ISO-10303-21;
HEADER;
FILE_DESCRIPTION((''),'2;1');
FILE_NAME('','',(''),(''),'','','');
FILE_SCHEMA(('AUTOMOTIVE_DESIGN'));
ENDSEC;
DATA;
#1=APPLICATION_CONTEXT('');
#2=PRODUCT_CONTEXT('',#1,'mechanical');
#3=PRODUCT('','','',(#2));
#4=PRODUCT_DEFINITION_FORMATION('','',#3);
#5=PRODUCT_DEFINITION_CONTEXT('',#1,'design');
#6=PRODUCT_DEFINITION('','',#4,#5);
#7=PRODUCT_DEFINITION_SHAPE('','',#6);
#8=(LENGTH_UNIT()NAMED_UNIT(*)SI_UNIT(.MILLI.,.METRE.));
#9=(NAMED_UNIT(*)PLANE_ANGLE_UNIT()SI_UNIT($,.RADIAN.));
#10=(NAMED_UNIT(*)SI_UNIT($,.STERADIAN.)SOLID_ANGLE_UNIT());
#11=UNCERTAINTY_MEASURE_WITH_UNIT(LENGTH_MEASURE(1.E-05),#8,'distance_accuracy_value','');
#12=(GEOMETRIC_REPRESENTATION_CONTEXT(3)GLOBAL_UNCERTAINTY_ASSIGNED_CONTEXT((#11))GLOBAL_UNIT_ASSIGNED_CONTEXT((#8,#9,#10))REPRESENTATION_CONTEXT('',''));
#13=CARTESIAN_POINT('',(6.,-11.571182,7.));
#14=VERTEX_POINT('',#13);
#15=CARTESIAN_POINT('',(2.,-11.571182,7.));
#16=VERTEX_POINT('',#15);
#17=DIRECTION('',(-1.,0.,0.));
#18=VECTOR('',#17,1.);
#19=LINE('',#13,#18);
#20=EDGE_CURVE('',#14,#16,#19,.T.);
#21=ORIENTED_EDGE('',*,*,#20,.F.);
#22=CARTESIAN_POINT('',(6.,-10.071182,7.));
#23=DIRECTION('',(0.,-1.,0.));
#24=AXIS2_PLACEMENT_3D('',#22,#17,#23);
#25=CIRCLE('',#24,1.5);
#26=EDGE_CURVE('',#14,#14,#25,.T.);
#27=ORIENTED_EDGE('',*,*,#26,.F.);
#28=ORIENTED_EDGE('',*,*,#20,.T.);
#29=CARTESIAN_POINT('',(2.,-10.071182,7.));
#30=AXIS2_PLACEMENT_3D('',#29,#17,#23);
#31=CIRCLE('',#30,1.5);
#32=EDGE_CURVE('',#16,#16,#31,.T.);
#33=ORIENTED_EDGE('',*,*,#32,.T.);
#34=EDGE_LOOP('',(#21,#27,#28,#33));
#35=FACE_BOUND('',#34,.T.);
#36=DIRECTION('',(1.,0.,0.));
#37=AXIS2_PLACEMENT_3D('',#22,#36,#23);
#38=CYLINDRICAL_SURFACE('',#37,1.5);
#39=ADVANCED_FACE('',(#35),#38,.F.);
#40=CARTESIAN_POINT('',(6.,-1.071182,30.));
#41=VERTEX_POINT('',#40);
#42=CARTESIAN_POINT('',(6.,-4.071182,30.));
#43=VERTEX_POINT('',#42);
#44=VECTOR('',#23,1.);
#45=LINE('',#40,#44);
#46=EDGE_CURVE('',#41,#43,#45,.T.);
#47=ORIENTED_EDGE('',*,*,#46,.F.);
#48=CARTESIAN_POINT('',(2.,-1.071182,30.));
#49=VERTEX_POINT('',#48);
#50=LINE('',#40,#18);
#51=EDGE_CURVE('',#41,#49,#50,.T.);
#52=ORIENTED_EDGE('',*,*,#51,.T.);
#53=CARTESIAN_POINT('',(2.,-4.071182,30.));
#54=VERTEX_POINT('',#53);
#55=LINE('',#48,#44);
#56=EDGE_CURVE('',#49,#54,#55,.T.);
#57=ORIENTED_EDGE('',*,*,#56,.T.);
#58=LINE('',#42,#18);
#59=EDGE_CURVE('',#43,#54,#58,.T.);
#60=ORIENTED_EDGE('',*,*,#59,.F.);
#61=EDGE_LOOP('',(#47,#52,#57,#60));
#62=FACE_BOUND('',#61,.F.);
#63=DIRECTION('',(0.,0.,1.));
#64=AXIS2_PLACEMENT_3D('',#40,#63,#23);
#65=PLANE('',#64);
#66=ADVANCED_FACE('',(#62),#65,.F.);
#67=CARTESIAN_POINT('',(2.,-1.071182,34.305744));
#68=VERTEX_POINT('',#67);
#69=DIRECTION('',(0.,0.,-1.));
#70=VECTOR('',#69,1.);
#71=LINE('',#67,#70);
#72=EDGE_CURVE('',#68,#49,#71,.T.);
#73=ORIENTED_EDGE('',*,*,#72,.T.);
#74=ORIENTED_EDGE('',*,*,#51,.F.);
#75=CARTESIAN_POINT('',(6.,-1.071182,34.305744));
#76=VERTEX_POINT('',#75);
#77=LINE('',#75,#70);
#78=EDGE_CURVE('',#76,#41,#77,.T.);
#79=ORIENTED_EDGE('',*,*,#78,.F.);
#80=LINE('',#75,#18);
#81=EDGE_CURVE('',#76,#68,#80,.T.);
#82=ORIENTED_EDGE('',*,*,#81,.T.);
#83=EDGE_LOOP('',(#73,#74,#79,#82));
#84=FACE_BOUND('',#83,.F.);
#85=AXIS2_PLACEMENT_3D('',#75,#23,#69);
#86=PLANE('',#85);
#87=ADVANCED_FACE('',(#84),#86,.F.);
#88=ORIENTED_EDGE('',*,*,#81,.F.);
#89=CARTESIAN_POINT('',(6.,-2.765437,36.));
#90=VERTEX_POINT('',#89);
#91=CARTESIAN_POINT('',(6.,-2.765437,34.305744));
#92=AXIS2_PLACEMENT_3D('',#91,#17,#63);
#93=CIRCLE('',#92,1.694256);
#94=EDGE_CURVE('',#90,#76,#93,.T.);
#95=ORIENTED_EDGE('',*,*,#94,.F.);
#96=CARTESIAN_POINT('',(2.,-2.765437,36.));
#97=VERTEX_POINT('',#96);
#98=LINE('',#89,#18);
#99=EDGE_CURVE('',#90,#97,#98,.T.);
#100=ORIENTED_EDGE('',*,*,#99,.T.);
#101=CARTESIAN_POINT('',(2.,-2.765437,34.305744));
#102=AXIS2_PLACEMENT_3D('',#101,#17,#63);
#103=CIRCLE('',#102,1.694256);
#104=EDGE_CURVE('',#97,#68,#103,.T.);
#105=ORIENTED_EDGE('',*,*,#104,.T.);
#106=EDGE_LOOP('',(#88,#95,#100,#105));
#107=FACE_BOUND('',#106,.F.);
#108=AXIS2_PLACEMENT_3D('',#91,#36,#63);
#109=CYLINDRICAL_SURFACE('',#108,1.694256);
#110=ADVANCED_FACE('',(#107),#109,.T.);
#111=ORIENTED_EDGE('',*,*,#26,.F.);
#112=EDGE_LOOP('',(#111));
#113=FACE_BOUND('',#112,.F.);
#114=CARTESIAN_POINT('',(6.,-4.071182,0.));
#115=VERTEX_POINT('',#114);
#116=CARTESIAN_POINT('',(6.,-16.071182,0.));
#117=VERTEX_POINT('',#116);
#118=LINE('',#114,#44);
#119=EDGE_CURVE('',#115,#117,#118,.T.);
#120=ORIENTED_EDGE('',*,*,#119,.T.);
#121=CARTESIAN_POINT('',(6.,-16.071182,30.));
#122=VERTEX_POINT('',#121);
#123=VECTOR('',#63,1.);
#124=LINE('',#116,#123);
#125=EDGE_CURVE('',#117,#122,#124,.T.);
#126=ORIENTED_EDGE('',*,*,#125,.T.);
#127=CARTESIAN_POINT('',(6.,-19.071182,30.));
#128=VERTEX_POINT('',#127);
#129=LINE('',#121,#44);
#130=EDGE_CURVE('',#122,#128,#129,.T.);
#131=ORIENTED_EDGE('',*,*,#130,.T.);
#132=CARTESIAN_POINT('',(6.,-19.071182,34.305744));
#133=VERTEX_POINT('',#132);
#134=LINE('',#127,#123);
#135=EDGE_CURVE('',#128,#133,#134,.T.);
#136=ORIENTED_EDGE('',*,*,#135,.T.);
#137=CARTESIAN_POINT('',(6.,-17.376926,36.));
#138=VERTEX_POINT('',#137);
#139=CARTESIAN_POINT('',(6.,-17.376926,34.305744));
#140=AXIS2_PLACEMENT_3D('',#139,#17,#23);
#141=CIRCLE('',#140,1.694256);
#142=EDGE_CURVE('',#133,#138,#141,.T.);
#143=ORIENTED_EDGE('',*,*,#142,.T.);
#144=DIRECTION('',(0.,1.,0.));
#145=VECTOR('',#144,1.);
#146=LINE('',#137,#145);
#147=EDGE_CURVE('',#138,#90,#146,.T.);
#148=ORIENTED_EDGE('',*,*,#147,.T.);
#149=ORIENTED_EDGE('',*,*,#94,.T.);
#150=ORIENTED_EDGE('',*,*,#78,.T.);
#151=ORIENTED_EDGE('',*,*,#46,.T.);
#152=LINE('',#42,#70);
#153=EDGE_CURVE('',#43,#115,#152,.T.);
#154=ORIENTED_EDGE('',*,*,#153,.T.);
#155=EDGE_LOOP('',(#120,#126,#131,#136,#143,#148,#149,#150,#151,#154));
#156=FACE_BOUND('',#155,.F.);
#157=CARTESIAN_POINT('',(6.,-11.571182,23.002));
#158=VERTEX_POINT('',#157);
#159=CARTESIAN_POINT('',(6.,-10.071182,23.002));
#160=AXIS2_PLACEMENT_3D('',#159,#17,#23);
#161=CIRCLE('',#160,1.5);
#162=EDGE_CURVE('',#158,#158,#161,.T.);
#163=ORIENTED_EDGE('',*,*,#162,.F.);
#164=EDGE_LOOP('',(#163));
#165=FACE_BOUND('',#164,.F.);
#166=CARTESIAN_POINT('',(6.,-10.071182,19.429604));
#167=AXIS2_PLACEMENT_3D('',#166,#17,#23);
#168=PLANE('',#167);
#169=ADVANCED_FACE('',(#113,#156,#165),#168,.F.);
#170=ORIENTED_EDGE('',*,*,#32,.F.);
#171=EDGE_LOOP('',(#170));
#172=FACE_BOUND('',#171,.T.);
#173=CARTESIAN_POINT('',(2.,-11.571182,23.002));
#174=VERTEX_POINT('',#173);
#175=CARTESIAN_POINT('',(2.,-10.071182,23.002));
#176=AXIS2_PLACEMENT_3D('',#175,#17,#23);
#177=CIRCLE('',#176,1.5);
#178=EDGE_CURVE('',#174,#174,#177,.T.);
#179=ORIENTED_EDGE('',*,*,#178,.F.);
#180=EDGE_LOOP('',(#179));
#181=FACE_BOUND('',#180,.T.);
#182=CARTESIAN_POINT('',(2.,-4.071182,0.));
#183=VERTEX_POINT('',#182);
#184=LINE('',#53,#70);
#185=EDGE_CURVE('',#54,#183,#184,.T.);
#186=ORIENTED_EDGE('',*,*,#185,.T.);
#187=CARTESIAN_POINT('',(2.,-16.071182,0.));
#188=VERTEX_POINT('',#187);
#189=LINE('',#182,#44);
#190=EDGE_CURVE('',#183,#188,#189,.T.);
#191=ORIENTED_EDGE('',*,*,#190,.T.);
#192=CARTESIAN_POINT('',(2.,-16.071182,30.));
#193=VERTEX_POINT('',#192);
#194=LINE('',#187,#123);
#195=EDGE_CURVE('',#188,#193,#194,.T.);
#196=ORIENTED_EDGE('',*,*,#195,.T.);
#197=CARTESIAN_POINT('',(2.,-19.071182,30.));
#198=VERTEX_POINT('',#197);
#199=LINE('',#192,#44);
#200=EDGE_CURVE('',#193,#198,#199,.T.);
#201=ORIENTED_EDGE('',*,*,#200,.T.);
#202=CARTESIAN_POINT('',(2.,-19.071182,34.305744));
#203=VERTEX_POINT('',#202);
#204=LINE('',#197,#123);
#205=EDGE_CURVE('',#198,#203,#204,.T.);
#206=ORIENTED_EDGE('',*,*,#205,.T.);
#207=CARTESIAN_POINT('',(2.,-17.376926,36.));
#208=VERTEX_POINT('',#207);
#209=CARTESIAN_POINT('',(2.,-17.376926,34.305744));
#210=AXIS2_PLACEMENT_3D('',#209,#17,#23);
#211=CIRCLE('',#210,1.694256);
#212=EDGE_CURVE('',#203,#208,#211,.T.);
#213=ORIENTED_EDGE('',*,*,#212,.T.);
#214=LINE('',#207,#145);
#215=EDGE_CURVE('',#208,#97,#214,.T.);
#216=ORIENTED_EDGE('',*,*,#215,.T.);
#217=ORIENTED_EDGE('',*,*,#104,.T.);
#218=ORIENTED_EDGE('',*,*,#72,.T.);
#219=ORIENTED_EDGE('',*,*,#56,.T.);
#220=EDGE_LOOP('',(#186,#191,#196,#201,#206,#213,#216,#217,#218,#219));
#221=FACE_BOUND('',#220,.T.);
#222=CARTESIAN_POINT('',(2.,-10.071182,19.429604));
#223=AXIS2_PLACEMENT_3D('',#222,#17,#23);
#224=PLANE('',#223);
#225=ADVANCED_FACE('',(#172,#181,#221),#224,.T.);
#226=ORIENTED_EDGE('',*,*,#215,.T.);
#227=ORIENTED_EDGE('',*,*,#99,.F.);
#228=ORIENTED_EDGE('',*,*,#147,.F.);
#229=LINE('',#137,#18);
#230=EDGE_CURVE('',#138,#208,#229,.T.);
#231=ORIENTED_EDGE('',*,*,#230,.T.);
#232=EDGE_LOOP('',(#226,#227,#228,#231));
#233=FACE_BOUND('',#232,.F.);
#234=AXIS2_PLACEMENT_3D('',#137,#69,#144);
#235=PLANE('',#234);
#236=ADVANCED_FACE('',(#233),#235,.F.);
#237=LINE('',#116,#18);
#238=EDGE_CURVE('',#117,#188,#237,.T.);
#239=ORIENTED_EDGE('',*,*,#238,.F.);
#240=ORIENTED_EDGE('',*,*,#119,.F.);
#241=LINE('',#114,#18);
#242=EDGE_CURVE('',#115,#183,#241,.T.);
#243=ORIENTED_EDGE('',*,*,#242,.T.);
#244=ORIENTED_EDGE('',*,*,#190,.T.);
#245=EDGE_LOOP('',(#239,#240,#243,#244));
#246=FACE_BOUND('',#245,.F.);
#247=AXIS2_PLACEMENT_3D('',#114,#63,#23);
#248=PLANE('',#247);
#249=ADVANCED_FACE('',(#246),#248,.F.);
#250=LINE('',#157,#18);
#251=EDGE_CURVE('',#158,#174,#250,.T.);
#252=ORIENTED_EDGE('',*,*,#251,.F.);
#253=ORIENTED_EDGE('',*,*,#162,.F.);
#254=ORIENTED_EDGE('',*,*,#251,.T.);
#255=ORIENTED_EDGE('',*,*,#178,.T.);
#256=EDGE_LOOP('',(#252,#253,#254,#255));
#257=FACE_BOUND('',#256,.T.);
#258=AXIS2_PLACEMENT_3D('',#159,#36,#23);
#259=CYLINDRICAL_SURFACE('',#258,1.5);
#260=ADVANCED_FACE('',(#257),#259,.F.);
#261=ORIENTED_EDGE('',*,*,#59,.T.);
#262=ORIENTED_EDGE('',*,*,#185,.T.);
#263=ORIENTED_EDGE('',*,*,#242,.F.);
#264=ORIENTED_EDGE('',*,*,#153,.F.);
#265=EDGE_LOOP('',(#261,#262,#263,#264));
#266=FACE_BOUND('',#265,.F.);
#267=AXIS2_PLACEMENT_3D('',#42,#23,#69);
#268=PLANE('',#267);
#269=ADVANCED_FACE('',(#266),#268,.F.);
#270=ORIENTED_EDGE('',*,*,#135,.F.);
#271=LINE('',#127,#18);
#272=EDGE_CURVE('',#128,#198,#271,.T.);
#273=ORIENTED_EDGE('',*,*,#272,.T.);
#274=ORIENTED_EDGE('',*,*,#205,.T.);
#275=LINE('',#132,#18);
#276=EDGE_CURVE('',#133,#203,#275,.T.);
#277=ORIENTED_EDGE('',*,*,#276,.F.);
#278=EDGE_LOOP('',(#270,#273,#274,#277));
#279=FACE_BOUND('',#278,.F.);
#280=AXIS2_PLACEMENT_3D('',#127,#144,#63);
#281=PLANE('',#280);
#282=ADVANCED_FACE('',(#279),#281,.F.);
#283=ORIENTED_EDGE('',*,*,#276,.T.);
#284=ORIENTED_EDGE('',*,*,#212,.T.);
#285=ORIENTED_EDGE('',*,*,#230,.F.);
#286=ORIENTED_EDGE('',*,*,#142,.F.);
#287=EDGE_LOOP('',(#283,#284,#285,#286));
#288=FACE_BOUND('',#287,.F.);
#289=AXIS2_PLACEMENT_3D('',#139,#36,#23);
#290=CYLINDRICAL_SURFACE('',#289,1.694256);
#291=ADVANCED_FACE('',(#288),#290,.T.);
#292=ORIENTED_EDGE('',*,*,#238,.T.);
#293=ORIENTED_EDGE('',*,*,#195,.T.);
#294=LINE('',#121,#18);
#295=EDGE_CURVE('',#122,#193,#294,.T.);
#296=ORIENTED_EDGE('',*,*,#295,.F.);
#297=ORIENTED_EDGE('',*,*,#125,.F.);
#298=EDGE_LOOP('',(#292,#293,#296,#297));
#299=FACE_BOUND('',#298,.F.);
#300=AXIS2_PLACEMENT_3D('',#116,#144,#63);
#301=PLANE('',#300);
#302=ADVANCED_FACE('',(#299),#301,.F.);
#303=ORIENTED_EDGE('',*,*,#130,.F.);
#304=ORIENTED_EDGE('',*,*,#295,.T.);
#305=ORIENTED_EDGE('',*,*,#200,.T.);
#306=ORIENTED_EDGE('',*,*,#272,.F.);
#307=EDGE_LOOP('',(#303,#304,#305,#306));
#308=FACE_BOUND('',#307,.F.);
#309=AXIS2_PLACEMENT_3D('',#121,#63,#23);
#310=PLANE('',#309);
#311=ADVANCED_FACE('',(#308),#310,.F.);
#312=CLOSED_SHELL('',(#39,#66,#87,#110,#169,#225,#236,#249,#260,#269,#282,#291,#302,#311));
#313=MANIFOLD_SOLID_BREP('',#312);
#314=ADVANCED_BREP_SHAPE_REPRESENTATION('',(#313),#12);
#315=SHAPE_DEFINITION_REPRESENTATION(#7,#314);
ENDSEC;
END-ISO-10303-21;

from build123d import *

# Parameters (mm, degrees)
F0_R     = 1.5
F1_DEPTH = 4
F2_ANGLE = 90
F4_ANGLE = 90


with BuildPart() as f1:
    # F0 (on Top) → F1 (new body)
    with BuildSketch(Plane.XY):
        with BuildLine():
            Line((-6, 13.9288183318), (-6, -16.0711816682))
            Line((-6, -16.0711816682), (6, -16.0711816682))
            Line((6, -16.0711816682), (6, 13.9288183318))
            Line((6, 13.9288183318), (9, 13.9288183318))
            Line((9, 13.9288183318), (9, 18.2345626692))
            ThreePointArc((9, 18.2345626692), (8.5037640055, 19.4325823373), (7.3057443374, 19.9288183318))
            Line((7.3057443374, 19.9288183318), (-7.3057443374, 19.9288183318))
            ThreePointArc((-7.3057443374, 19.9288183318), (-8.5037640055, 19.4325823373), (-9, 18.2345626692))
            Line((-9, 18.2345626692), (-9, 13.9288183318))
            Line((-9, 13.9288183318), (-6, 13.9288183318))
        make_face()
        with Locations((0, -9.0711816682)):
            Circle(F0_R, mode=Mode.SUBTRACT)
        with Locations((0, 6.9308183318)):
            Circle(F0_R, mode=Mode.SUBTRACT)
    extrude(amount=F1_DEPTH)


with BuildPart() as f1_1:
    # F2: moved
    add(f1.part.rotate(Axis((0, -16.0711816682, 0), (1, 0, 0)), F2_ANGLE))


with BuildPart() as f1_2:
    # F4: moved
    add(f1_1.part.rotate(Axis((6, -16.0711816682, 1.3093175367), (0, 0, -1)), F4_ANGLE))


solid = f1_2.part
